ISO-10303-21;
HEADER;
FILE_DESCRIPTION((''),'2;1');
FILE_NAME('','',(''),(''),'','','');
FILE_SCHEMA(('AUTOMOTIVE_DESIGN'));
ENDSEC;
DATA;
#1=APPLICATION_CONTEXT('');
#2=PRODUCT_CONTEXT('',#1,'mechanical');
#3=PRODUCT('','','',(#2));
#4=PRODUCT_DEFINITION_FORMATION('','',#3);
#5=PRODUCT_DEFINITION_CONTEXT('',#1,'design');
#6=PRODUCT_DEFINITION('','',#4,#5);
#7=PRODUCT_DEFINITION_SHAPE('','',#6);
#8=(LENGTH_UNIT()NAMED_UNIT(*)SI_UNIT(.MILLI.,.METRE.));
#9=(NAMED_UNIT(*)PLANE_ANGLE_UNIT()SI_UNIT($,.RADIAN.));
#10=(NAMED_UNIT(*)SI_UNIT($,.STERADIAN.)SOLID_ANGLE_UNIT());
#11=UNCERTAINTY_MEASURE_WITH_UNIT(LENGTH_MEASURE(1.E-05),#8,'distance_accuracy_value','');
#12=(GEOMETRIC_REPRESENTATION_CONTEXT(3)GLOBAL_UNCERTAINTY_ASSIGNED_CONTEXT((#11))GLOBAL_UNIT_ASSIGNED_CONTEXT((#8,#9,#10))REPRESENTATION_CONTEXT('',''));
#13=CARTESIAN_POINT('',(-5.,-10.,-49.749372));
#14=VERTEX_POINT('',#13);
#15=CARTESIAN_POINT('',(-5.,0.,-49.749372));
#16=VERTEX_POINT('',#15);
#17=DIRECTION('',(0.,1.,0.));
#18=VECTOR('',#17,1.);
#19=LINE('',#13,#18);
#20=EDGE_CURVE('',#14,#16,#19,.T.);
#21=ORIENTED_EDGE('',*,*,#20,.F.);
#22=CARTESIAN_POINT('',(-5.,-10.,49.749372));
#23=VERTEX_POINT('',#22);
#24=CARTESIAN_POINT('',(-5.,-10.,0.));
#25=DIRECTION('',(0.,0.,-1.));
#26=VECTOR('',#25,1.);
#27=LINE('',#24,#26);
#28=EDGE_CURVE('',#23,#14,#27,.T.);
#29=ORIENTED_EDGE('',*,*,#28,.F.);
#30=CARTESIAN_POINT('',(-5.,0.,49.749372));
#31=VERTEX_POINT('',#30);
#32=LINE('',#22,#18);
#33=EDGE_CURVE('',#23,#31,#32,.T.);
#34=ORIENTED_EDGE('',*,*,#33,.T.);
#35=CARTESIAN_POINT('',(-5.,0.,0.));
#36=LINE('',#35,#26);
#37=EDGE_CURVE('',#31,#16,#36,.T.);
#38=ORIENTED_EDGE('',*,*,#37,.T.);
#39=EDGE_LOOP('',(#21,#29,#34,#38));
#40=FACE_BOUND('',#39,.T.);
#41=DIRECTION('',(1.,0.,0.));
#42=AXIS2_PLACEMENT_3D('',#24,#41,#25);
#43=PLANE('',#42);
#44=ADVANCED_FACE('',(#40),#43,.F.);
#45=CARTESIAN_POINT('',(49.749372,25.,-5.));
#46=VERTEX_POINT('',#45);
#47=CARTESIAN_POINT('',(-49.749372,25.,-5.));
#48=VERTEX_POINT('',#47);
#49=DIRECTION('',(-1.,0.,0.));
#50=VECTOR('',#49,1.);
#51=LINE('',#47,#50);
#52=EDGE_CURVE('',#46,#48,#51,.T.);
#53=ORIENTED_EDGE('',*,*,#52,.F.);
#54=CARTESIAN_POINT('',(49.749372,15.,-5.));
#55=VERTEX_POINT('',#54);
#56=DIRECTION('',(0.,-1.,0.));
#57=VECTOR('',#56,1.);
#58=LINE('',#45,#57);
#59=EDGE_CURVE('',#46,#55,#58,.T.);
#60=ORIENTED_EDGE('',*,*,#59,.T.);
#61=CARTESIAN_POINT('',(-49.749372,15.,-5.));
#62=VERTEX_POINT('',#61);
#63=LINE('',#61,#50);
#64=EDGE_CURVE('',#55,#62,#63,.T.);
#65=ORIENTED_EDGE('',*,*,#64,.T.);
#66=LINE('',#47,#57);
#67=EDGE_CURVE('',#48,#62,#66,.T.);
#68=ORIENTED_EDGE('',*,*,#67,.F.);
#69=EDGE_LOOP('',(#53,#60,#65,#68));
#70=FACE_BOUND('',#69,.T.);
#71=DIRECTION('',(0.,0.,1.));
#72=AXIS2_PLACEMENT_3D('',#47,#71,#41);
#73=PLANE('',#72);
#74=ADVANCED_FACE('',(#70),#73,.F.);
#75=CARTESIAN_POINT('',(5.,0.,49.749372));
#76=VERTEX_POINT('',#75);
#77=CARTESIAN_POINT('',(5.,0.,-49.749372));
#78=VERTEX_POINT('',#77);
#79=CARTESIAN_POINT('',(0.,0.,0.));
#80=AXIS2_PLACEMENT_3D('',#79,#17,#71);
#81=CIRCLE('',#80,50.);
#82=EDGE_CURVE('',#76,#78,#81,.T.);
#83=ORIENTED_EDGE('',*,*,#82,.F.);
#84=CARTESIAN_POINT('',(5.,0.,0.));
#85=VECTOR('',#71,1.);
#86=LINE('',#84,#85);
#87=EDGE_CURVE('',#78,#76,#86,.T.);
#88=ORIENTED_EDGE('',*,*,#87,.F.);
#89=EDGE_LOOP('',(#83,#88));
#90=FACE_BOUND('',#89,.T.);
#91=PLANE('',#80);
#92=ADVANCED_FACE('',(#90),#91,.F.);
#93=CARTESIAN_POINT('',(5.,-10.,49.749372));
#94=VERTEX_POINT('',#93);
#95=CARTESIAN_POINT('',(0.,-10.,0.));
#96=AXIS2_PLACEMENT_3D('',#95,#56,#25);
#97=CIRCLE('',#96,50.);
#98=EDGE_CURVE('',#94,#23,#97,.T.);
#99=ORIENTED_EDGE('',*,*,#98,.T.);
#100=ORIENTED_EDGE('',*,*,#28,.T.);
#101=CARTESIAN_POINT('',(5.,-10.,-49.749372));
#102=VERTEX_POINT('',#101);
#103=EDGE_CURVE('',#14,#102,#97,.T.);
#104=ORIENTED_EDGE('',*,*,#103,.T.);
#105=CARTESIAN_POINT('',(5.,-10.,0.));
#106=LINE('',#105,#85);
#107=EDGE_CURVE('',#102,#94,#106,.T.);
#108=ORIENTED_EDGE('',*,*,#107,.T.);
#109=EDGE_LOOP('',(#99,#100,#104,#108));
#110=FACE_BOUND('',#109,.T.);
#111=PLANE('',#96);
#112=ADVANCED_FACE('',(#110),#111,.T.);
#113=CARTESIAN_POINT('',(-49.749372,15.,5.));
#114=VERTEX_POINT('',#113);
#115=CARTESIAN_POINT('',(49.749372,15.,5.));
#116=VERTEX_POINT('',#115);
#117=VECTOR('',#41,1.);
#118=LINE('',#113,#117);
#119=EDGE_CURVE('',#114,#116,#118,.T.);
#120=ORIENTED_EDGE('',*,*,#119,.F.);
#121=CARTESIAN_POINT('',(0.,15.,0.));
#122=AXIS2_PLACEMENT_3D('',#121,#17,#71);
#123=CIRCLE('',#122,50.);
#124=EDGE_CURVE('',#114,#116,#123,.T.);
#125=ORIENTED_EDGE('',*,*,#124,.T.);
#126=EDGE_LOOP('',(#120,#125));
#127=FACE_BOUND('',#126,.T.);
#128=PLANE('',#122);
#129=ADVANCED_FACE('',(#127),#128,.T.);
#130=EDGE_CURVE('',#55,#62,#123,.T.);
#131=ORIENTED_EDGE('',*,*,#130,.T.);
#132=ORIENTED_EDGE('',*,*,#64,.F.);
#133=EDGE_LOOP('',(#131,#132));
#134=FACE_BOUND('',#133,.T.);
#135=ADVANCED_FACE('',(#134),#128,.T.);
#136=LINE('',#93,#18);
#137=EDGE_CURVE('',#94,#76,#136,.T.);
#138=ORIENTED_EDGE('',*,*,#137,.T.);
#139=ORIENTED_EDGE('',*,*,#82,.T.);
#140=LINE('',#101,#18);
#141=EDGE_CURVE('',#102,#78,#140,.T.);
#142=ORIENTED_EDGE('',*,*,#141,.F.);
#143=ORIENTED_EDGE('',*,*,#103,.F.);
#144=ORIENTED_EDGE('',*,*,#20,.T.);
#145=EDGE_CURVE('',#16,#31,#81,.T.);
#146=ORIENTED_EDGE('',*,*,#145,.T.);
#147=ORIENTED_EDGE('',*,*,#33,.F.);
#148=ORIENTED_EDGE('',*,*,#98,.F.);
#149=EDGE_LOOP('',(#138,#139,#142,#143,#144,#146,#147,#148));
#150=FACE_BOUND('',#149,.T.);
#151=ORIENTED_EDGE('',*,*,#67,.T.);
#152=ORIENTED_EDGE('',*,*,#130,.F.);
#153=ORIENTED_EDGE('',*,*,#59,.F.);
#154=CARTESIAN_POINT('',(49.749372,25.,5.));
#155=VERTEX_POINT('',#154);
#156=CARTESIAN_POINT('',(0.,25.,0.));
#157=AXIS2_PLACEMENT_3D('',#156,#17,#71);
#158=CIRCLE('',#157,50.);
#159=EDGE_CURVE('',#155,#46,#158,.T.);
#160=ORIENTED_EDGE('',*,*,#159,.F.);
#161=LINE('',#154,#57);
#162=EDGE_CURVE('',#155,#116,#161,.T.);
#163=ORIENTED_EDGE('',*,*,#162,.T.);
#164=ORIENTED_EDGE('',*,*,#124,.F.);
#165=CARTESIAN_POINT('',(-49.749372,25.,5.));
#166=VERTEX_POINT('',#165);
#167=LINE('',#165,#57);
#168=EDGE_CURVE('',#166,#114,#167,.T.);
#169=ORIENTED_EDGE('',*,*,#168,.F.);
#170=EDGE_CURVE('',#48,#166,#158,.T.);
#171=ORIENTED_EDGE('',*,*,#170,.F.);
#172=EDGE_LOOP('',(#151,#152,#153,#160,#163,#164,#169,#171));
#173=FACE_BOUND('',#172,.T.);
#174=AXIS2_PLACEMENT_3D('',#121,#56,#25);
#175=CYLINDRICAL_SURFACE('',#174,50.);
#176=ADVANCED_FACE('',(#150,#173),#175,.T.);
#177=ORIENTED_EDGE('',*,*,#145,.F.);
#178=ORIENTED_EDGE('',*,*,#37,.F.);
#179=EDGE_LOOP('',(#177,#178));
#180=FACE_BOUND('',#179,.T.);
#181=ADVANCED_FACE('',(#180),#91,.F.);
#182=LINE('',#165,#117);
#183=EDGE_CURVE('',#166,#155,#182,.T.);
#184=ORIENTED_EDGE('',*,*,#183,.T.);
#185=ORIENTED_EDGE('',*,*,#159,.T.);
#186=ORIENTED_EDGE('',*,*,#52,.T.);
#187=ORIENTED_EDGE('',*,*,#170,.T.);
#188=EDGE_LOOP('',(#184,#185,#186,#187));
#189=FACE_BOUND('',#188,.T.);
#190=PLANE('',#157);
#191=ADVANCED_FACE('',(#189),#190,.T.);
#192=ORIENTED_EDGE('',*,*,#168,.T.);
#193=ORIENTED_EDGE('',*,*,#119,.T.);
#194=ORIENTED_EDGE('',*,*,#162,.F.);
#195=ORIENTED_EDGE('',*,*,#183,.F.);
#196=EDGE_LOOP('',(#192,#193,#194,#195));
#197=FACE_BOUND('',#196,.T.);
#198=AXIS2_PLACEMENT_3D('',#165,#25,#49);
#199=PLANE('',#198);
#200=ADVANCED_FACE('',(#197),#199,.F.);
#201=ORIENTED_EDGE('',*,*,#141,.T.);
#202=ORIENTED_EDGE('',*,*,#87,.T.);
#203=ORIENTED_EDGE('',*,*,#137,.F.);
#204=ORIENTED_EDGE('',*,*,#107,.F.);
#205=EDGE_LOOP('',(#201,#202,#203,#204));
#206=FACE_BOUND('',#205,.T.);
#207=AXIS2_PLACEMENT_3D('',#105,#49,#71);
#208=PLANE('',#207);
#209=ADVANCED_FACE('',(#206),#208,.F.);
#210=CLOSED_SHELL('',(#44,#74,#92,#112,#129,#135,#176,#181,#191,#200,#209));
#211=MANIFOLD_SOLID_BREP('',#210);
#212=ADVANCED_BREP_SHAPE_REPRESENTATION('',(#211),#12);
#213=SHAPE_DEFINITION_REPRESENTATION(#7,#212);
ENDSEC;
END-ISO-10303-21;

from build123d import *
from build123d.topology import SkipClean

# Parameters (mm, degrees)
SKETCH1_R           = 50
BOSS_EXTRUDE1_DEPTH = 15
BOSS_EXTRUDE2_DEPTH = 10
BOSS_EXTRUDE3_START = 10
BOSS_EXTRUDE3_DEPTH = 10


with BuildPart() as part:
    # Sketch1 → Boss-Extrude1 (new body)
    with BuildSketch(Plane(origin=(0, 0, 0), x_dir=(1, 0, 0), z_dir=(0, 1, 0))):
        with Locations(Location((0, 0, 0), (0, 0, 270))):
            Circle(SKETCH1_R)
    extrude(amount=BOSS_EXTRUDE1_DEPTH)

    # Sketch2 → Boss-Extrude2 (add)
    with SkipClean():  # the faces are left unmerged after this step: merging them gives an invalid solid
        with BuildSketch(Plane(origin=(0, 15, 0), x_dir=(1, 0, 0), z_dir=(0, 1, 0))):
            with BuildLine():
                Line((-49.749371855, 5), (49.749371855, 5))
                ThreePointArc((49.749371855, 5), (50, 0), (49.749371855, -5))
                Line((49.749371855, -5), (-49.749371855, -5))
                ThreePointArc((-49.749371855, -5), (-50, 0), (-49.749371855, 5))
            make_face()
        extrude(amount=BOSS_EXTRUDE2_DEPTH)

    # Sketch3 → Boss-Extrude3 (add)
    with SkipClean():  # the faces are left unmerged after this step: merging them gives an invalid solid
        with BuildSketch(Plane.XZ.offset(BOSS_EXTRUDE3_START)):
            with BuildLine():
                ThreePointArc((-5, -49.749371855), (0, -50), (5, -49.749371855))
                Line((5, -49.749371855), (5, 49.749371855))
                ThreePointArc((5, 49.749371855), (0, 50), (-5, 49.749371855))
                Line((-5, 49.749371855), (-5, -49.749371855))
            make_face()
        extrude(amount=-BOSS_EXTRUDE3_DEPTH)


solid = part.part
